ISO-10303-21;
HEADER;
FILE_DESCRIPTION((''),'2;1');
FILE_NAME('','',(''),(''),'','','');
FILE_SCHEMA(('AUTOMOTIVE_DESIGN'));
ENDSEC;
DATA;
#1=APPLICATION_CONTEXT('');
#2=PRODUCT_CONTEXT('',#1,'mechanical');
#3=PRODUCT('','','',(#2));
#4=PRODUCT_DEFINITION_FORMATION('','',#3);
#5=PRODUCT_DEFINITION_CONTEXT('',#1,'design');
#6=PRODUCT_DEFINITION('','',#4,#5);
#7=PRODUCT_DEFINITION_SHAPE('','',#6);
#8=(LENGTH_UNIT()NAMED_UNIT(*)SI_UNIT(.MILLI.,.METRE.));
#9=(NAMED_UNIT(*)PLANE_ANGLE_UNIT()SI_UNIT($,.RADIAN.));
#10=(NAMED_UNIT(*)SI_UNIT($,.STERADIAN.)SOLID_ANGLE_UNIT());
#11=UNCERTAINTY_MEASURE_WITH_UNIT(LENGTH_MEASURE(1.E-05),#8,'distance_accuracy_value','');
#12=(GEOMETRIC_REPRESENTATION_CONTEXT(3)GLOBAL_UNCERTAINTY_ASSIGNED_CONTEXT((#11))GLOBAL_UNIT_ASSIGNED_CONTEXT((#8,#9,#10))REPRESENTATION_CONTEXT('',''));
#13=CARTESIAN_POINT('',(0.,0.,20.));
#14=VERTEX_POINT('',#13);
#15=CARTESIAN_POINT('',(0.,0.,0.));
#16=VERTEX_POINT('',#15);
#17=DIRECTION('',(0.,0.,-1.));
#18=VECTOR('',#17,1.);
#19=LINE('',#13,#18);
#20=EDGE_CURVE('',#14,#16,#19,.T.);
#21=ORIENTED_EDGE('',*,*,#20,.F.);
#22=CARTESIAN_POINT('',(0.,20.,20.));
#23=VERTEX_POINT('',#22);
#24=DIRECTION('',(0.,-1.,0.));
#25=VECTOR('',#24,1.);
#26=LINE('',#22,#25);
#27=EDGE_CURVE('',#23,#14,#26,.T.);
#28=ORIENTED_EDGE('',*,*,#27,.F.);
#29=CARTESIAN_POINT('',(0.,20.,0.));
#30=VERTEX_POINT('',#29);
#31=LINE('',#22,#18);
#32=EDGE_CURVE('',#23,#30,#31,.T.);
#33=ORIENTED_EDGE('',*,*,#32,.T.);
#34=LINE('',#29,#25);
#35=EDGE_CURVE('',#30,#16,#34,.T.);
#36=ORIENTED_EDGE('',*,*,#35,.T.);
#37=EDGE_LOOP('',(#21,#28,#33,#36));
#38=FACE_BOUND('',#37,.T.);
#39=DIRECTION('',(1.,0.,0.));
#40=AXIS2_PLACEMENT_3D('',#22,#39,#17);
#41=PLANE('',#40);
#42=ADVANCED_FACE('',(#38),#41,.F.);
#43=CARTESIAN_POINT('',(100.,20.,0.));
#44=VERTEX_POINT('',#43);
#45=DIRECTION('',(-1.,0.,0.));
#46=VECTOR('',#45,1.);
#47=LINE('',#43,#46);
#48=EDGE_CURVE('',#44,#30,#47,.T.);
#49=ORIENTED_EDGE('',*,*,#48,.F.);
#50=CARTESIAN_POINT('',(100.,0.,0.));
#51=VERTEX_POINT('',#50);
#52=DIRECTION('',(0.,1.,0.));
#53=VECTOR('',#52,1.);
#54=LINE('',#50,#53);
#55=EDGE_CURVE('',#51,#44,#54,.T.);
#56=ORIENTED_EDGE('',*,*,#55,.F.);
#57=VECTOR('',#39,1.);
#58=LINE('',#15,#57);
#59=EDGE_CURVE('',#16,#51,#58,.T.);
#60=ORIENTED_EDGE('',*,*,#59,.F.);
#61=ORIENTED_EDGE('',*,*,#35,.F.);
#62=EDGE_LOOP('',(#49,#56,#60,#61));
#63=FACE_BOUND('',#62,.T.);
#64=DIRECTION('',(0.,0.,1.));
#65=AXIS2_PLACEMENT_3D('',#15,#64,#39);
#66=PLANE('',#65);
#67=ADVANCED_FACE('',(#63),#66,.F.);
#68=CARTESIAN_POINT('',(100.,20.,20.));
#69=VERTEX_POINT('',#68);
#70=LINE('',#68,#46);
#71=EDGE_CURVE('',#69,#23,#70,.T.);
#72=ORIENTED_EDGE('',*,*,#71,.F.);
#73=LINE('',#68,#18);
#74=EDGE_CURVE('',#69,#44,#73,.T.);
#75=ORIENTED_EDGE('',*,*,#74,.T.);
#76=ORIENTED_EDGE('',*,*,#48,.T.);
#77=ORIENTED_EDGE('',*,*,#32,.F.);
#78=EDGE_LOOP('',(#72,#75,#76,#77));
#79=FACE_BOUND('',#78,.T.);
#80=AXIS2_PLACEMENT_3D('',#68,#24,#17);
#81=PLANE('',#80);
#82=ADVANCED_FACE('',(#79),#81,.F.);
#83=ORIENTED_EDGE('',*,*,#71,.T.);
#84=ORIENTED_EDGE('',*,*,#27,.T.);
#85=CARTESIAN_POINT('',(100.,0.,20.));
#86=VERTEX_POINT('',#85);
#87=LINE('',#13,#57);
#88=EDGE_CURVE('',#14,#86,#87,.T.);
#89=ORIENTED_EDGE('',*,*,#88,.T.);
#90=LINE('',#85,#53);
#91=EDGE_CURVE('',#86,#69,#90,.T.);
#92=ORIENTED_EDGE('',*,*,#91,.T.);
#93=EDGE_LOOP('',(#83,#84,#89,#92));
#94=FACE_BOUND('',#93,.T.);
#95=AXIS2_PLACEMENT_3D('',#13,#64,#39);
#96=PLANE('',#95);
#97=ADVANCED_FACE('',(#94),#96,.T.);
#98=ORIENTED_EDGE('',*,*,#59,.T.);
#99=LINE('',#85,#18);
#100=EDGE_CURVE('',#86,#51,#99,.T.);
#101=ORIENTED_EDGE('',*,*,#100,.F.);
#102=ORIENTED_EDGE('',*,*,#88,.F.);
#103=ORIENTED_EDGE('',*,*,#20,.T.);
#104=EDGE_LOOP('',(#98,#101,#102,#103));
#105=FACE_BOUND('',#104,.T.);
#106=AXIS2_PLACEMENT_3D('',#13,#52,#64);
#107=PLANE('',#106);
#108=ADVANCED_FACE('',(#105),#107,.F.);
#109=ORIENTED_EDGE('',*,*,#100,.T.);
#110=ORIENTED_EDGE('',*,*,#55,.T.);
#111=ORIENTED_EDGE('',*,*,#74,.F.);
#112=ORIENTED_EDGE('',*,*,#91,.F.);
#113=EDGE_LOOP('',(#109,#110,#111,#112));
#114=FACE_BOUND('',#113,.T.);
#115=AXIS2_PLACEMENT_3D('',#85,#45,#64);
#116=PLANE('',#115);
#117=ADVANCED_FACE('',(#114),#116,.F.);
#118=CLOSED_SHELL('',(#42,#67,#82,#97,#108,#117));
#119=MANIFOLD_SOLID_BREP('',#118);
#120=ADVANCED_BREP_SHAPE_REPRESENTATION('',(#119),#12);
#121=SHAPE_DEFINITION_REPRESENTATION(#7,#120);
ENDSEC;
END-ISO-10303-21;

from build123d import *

# Parameters (mm, degrees)
SKETCH2_W           = 100
SKETCH2_H           = 20
BOSS_EXTRUDE1_DEPTH = 20


with BuildPart() as part:
    # Sketch2 → Boss-Extrude1 (new body)
    with BuildSketch(Plane.XY):
        with Locations((50, 10)):
            Rectangle(SKETCH2_W, SKETCH2_H)
    extrude(amount=BOSS_EXTRUDE1_DEPTH)


solid = part.part
